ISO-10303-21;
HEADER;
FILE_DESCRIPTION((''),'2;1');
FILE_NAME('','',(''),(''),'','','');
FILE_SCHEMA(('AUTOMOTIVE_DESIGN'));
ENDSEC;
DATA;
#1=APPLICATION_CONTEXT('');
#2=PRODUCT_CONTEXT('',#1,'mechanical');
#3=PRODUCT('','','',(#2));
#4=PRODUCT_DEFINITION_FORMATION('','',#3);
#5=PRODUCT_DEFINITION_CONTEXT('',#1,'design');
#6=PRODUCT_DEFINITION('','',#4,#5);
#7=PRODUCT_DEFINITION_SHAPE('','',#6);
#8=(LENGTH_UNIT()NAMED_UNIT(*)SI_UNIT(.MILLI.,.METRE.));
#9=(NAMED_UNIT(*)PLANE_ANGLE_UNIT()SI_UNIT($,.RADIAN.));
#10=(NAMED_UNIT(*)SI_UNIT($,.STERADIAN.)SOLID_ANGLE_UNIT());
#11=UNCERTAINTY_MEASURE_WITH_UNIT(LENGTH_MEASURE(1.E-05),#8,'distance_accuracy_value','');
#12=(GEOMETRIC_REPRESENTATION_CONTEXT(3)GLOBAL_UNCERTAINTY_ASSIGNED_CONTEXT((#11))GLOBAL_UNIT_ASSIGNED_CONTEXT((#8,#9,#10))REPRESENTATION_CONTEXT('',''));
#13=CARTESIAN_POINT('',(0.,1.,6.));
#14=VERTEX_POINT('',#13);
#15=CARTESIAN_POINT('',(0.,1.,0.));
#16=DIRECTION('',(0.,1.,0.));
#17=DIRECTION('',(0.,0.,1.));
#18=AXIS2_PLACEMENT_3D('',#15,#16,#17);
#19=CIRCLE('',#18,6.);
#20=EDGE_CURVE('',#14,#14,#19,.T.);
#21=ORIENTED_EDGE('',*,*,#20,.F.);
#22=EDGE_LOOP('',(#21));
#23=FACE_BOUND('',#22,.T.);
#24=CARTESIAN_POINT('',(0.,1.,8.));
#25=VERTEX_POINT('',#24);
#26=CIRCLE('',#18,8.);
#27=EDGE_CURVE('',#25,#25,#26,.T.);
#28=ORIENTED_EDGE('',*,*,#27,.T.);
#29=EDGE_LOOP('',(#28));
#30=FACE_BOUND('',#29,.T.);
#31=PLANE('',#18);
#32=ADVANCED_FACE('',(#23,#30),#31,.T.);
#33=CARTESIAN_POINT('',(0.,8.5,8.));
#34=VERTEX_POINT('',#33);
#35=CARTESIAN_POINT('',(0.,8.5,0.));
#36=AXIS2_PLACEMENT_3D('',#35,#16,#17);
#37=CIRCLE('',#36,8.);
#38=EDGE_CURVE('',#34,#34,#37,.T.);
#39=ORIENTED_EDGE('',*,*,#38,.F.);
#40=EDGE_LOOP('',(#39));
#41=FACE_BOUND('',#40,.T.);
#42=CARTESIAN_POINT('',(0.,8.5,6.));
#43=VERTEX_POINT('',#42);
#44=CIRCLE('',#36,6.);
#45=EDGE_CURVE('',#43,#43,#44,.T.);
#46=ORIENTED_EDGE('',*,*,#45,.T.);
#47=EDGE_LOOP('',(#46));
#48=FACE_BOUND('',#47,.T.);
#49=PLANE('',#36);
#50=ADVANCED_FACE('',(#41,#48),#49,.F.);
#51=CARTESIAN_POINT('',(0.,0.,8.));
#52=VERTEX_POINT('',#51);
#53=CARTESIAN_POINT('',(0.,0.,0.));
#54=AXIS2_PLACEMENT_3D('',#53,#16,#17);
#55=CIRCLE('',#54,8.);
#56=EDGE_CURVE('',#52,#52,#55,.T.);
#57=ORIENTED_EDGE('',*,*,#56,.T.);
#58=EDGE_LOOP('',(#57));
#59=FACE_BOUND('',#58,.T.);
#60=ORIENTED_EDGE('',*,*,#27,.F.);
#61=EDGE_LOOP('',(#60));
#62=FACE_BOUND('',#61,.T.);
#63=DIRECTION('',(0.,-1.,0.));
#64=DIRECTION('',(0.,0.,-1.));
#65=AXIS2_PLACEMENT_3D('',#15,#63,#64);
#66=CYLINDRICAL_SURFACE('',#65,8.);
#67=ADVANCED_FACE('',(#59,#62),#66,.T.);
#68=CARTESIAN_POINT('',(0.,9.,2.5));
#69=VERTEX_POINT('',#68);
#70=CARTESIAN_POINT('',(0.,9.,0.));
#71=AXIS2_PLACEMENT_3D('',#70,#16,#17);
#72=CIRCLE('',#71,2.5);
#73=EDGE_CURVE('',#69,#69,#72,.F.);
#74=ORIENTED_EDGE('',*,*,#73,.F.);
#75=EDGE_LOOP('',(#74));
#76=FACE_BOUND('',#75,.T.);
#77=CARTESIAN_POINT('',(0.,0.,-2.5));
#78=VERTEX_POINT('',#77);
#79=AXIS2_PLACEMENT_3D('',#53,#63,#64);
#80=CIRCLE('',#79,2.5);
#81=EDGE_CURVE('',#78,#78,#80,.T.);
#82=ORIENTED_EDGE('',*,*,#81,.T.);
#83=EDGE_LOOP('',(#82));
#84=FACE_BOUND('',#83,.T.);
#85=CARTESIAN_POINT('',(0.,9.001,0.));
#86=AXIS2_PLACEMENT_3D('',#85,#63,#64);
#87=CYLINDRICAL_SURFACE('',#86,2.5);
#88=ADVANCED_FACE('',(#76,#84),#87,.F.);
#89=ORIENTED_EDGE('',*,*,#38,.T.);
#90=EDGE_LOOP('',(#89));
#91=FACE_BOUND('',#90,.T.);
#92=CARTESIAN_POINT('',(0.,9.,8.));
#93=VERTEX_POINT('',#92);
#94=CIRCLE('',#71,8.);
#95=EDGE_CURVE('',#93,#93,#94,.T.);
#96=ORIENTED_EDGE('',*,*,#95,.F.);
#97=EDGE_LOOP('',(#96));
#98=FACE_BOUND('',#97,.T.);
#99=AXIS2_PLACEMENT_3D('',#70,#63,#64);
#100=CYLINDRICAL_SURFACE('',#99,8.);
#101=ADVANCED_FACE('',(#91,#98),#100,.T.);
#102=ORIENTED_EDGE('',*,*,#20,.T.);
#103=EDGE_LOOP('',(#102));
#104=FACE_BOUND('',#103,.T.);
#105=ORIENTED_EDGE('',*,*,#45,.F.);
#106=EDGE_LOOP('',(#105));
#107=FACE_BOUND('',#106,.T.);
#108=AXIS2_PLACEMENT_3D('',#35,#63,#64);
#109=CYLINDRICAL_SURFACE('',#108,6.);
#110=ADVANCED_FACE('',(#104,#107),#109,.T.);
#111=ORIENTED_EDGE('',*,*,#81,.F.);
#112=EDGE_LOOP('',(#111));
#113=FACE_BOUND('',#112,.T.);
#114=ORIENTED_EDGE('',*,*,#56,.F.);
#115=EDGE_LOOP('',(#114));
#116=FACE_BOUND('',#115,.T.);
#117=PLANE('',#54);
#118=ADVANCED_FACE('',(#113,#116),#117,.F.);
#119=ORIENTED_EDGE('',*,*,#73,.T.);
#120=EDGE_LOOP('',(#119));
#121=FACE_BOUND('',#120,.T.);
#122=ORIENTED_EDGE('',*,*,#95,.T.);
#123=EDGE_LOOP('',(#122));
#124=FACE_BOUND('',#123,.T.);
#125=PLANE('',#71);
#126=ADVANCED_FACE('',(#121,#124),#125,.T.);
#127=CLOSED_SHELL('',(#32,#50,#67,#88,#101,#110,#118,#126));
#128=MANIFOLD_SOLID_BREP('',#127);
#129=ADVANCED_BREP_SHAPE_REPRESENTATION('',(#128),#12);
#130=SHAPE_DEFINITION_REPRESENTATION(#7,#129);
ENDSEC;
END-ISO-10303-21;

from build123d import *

# Parameters (mm, degrees)
SKETCH_1_R          = 8
EXTRUDE_1_DEPTH     = 1
SKETCH_2_R          = 6
EXTRUDE_2_DEPTH     = 7.5
SKETCH_3_R          = 8
EXTRUDE_3_DEPTH     = 0.5
CUT_EXTRUDE_1_REACH = 16.457
SKETCH_4_R          = 2.5


with BuildPart() as part:
    # 草图1 → 凸台-拉伸1 (new body)
    with BuildSketch(Plane(origin=(0, 0, 0), x_dir=(1, 0, 0), z_dir=(0, 1, 0))):
        with Locations(Location((0, 0, 0), (0, 0, 270))):
            Circle(SKETCH_1_R)
    extrude(amount=EXTRUDE_1_DEPTH)

    # 草图2 → 凸台-拉伸2 (add)
    with BuildSketch(Plane(origin=(0, 1, 0), x_dir=(1, 0, 0), z_dir=(0, 1, 0))):
        with Locations(Location((0, 0, 0), (0, 0, 270))):
            Circle(SKETCH_2_R)
    extrude(amount=EXTRUDE_2_DEPTH)

    # 草图3 → 凸台-拉伸3 (add)
    with BuildSketch(Plane(origin=(0, 8.5, 0), x_dir=(1, 0, 0), z_dir=(0, 1, 0))):
        with Locations(Location((0, 0, 0), (0, 0, 270))):
            Circle(SKETCH_3_R)
    extrude(amount=EXTRUDE_3_DEPTH)

    # 草图4 → 切除-拉伸1 (cut, up to next)
    with BuildSketch(Plane.XZ, mode=Mode.PRIVATE) as cut_extrude_1_sk1:
        with Locations(Location((0, 0, 0), (0, 0, 270))):
            Circle(SKETCH_4_R)
    cut_extrude_1_tool1 = extrude(cut_extrude_1_sk1.sketch, amount=-CUT_EXTRUDE_1_REACH, mode=Mode.PRIVATE) & part.part
    add(cut_extrude_1_tool1.solids().sort_by_distance((0, 0, 0))[0], mode=Mode.SUBTRACT)


solid = part.part
